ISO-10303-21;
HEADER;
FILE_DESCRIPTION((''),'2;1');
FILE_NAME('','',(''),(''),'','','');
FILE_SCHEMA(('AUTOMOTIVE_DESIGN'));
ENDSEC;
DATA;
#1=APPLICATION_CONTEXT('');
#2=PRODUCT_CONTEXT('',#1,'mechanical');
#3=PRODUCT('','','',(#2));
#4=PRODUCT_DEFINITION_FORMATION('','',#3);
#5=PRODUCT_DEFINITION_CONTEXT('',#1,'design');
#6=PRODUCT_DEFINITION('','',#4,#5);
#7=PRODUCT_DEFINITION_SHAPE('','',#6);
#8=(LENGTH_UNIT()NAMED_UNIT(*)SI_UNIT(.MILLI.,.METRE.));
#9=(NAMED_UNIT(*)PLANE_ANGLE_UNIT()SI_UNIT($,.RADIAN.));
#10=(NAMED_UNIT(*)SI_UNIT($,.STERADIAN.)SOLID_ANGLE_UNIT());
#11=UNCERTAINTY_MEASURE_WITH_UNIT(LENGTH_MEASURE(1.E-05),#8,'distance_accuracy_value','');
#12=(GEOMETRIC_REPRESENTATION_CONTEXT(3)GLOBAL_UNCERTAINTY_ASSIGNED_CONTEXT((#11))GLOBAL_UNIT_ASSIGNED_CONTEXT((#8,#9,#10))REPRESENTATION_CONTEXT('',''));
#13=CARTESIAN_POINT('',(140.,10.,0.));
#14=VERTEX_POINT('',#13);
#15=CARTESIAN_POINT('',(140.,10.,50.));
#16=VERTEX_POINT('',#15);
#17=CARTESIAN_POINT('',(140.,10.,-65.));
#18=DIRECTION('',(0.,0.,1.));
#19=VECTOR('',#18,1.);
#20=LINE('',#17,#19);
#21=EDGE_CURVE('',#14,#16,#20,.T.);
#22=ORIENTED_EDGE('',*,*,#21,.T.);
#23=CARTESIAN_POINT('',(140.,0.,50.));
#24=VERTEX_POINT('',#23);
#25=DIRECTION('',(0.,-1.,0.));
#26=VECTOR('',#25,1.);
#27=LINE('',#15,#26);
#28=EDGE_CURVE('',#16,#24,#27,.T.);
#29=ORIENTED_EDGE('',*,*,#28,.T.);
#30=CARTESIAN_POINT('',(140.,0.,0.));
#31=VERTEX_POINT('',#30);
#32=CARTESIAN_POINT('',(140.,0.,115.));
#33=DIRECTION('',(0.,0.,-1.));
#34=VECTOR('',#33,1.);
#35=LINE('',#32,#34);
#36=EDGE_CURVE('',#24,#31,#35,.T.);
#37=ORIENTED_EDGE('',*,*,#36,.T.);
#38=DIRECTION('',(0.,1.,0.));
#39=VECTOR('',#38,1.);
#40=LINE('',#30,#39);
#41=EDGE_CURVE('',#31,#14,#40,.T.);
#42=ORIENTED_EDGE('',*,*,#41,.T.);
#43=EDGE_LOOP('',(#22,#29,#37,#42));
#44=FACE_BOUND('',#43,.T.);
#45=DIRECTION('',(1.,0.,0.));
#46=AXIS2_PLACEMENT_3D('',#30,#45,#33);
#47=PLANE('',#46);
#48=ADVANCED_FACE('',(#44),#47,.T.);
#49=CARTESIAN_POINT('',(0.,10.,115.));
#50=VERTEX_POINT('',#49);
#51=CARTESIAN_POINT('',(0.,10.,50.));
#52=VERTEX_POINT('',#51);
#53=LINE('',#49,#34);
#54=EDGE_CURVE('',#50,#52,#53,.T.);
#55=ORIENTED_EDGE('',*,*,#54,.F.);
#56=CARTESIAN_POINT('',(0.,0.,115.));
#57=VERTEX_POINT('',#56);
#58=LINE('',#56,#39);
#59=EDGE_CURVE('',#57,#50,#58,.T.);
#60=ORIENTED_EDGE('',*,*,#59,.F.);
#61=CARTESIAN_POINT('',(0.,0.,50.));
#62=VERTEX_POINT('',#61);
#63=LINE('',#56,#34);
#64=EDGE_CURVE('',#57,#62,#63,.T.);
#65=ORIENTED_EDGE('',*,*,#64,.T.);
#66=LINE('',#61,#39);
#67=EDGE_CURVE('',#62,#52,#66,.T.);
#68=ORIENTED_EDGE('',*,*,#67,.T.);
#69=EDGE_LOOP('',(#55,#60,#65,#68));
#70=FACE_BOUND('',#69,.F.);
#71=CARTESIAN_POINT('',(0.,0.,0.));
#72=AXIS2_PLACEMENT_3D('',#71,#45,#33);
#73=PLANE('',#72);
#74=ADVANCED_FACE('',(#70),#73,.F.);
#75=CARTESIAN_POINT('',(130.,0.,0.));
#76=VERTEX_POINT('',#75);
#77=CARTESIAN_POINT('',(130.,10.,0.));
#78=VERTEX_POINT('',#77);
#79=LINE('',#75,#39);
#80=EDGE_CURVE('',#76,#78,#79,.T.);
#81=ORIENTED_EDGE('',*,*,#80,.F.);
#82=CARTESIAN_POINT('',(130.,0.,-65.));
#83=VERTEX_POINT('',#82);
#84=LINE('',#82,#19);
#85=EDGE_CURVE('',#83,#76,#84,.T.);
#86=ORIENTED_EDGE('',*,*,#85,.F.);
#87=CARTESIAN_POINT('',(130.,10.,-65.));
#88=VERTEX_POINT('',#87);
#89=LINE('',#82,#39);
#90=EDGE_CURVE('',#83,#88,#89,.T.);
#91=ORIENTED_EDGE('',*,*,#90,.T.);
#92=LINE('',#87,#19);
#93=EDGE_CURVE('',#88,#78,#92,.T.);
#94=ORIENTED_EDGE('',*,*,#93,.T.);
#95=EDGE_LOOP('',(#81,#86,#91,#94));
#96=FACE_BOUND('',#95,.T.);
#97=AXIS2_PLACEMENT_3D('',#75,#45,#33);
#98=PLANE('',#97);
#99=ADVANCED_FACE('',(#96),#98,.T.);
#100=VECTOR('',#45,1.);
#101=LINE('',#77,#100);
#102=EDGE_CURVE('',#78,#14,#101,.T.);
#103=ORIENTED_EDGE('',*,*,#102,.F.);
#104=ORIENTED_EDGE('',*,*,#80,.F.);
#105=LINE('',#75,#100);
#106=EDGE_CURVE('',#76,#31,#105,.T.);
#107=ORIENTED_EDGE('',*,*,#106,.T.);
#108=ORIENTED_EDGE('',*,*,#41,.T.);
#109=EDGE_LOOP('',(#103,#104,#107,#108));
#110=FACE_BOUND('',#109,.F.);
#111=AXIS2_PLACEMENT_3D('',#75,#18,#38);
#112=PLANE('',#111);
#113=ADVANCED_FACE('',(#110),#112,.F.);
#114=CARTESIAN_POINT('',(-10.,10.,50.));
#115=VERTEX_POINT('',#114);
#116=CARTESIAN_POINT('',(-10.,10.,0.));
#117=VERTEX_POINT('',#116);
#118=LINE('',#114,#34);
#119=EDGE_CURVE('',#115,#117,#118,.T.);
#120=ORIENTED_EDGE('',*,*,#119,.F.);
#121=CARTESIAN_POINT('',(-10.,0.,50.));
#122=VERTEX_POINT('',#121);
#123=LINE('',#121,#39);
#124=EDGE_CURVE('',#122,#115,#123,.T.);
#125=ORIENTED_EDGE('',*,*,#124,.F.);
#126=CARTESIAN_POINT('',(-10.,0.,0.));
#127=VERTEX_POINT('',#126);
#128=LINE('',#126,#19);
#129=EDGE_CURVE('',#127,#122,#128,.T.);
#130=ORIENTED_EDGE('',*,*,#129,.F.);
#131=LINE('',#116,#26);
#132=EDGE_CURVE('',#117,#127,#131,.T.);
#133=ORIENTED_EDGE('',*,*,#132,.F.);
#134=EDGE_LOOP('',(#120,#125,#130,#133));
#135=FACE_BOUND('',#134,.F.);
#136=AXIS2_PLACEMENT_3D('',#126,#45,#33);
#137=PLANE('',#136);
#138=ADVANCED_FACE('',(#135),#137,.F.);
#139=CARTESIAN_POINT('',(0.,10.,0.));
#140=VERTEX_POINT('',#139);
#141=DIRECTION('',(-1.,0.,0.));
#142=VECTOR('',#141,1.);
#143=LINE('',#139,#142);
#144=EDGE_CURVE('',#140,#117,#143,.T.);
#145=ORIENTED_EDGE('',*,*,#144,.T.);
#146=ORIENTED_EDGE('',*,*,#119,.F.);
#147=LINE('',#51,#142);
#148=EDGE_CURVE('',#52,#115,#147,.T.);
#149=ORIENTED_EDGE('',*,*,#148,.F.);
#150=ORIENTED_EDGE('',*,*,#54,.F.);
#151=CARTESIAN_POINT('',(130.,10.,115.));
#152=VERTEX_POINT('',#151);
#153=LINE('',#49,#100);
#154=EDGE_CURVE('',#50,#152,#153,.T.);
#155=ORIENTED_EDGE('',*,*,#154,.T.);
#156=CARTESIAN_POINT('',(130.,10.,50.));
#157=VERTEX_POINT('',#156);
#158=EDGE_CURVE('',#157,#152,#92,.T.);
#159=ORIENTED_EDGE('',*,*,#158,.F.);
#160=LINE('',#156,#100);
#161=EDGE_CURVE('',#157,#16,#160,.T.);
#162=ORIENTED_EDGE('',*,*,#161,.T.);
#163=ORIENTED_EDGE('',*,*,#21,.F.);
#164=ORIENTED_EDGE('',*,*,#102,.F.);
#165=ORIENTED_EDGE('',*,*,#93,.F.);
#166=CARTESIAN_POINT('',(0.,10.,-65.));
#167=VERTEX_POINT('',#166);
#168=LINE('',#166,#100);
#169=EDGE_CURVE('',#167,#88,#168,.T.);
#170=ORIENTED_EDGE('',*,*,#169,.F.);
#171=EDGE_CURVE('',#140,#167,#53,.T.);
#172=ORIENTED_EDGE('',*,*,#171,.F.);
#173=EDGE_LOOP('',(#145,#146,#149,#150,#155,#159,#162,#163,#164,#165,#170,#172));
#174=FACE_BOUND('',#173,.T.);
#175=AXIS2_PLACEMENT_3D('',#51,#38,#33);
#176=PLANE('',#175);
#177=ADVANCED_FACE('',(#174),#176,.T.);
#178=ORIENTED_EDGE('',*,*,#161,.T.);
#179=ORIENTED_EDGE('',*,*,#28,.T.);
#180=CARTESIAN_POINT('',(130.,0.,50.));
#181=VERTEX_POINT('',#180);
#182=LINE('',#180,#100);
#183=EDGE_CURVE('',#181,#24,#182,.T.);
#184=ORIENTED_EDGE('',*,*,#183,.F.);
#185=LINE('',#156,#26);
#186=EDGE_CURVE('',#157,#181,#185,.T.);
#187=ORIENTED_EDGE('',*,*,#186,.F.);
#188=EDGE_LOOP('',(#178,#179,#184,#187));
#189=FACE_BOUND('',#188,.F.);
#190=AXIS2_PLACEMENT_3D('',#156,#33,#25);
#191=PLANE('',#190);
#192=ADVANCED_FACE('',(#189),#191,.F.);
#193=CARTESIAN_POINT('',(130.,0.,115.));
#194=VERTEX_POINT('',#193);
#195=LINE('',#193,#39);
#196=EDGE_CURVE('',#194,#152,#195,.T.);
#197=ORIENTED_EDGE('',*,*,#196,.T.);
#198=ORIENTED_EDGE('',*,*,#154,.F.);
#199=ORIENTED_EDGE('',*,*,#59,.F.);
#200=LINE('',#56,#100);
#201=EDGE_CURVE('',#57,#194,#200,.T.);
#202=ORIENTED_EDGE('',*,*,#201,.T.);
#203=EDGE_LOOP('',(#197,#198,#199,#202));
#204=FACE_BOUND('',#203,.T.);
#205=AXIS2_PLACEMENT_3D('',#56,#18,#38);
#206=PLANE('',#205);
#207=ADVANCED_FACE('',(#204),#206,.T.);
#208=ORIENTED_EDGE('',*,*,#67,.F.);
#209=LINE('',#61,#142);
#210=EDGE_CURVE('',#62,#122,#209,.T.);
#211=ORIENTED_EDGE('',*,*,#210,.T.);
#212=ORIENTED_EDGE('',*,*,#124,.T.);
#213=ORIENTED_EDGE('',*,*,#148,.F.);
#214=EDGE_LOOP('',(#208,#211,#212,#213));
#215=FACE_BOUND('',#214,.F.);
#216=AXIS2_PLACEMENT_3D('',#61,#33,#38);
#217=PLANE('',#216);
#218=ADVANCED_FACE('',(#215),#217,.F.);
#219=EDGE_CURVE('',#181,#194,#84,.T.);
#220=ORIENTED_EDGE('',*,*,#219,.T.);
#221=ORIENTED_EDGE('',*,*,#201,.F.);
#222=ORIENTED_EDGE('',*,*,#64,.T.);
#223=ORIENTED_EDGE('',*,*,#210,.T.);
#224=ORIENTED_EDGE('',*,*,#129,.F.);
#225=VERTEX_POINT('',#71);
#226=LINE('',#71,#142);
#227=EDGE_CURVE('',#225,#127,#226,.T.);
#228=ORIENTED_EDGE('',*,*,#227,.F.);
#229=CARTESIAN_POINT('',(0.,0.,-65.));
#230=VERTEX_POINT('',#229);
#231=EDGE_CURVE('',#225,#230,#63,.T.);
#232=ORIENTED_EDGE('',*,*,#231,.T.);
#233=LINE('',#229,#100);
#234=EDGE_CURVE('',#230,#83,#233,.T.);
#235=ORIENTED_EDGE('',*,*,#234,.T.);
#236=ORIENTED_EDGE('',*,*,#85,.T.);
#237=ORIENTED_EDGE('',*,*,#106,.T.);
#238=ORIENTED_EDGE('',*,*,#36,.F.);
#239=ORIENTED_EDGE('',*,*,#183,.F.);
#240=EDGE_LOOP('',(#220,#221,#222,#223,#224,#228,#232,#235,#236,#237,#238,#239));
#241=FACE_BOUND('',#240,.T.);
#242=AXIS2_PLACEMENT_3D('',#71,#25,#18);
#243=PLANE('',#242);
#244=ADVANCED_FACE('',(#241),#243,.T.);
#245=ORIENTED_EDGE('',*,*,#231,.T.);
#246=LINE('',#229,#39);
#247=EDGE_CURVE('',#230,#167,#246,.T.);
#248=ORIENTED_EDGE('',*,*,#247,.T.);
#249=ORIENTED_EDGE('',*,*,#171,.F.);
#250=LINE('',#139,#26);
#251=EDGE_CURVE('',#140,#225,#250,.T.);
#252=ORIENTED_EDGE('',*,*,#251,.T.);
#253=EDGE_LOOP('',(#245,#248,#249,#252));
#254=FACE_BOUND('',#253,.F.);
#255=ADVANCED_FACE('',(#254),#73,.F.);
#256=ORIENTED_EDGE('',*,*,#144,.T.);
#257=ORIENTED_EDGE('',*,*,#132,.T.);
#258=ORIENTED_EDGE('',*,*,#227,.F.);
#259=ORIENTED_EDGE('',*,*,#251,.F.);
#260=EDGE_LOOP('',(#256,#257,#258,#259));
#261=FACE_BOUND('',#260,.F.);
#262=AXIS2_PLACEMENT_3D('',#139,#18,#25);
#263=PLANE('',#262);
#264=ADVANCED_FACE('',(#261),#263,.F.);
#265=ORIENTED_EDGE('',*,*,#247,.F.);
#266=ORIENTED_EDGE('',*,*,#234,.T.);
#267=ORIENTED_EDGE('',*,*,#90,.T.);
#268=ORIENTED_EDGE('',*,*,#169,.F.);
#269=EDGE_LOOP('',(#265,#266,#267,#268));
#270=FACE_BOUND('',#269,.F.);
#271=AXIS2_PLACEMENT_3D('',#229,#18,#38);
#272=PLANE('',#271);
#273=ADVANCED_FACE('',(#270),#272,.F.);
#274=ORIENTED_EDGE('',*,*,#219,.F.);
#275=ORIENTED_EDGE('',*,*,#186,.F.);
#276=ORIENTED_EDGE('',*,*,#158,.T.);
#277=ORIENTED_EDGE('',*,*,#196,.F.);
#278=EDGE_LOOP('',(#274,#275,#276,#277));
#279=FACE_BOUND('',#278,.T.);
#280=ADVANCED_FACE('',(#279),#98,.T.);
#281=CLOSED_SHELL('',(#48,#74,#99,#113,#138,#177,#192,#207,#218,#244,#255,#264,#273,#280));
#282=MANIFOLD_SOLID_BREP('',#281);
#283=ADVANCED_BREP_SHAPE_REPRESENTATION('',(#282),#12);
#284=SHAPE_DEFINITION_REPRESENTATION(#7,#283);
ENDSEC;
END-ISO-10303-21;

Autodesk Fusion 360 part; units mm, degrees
sketch "Sketch1" plane through (0, 0, 0) normal (1, 0, 0) x (0, 0, -1)
  line L0 (0, 0) -> (-50, 0)
  line L1 (-50, 0) -> (-50, 10)
  line L2 (-50, 10) -> (0, 10)
  line L3 (0, 10) -> (0, 0)
  line L4 (0, 0) -> (65, 0)
  line L5 (65, 0) -> (65, 10)
  line L6 (65, 10) -> (0, 10)
  line L7 (0, 10) -> (0, 0)
  line L8 (-50, 0) -> (-115, 0)
  line L9 (-115, 0) -> (-115, 10)
  line L10 (-115, 10) -> (-50, 10)
  line L11 (-50, 10) -> (-50, 0)
  dimension "d1" = 50
  dimension "d2" = 10
  dimension "d3" = 65
  dimension "d4" = 65
  dimension "d5" = 10
  dimension "d6" = 10
extrude "Extrude1" add sketch "Sketch1" along normal blind 130
extrude "Extrude2" add sketch "Sketch1" against normal blind 10 contours L0 L1 L2 L3 L7 L11
sketch "Sketch2" plane through (130, 0, 0) normal (1, 0, 0) x (0, 0, -1)
  line L0 (-115, 0) -> (65, 0)
  line L1 (65, 0) -> (65, 10)
  line L2 (65, 10) -> (-115, 10)
  line L3 (-115, 10) -> (-115, 0)
  line L4 (-50, 0) -> (0, 0)
  line L5 (0, 0) -> (0, 10)
  line L6 (0, 10) -> (-50, 10)
  line L7 (-50, 10) -> (-50, 0)
extrude "Extrude3" add sketch "Sketch2" along normal blind 10 contours L0 L2 L4 L5 L6 L7
